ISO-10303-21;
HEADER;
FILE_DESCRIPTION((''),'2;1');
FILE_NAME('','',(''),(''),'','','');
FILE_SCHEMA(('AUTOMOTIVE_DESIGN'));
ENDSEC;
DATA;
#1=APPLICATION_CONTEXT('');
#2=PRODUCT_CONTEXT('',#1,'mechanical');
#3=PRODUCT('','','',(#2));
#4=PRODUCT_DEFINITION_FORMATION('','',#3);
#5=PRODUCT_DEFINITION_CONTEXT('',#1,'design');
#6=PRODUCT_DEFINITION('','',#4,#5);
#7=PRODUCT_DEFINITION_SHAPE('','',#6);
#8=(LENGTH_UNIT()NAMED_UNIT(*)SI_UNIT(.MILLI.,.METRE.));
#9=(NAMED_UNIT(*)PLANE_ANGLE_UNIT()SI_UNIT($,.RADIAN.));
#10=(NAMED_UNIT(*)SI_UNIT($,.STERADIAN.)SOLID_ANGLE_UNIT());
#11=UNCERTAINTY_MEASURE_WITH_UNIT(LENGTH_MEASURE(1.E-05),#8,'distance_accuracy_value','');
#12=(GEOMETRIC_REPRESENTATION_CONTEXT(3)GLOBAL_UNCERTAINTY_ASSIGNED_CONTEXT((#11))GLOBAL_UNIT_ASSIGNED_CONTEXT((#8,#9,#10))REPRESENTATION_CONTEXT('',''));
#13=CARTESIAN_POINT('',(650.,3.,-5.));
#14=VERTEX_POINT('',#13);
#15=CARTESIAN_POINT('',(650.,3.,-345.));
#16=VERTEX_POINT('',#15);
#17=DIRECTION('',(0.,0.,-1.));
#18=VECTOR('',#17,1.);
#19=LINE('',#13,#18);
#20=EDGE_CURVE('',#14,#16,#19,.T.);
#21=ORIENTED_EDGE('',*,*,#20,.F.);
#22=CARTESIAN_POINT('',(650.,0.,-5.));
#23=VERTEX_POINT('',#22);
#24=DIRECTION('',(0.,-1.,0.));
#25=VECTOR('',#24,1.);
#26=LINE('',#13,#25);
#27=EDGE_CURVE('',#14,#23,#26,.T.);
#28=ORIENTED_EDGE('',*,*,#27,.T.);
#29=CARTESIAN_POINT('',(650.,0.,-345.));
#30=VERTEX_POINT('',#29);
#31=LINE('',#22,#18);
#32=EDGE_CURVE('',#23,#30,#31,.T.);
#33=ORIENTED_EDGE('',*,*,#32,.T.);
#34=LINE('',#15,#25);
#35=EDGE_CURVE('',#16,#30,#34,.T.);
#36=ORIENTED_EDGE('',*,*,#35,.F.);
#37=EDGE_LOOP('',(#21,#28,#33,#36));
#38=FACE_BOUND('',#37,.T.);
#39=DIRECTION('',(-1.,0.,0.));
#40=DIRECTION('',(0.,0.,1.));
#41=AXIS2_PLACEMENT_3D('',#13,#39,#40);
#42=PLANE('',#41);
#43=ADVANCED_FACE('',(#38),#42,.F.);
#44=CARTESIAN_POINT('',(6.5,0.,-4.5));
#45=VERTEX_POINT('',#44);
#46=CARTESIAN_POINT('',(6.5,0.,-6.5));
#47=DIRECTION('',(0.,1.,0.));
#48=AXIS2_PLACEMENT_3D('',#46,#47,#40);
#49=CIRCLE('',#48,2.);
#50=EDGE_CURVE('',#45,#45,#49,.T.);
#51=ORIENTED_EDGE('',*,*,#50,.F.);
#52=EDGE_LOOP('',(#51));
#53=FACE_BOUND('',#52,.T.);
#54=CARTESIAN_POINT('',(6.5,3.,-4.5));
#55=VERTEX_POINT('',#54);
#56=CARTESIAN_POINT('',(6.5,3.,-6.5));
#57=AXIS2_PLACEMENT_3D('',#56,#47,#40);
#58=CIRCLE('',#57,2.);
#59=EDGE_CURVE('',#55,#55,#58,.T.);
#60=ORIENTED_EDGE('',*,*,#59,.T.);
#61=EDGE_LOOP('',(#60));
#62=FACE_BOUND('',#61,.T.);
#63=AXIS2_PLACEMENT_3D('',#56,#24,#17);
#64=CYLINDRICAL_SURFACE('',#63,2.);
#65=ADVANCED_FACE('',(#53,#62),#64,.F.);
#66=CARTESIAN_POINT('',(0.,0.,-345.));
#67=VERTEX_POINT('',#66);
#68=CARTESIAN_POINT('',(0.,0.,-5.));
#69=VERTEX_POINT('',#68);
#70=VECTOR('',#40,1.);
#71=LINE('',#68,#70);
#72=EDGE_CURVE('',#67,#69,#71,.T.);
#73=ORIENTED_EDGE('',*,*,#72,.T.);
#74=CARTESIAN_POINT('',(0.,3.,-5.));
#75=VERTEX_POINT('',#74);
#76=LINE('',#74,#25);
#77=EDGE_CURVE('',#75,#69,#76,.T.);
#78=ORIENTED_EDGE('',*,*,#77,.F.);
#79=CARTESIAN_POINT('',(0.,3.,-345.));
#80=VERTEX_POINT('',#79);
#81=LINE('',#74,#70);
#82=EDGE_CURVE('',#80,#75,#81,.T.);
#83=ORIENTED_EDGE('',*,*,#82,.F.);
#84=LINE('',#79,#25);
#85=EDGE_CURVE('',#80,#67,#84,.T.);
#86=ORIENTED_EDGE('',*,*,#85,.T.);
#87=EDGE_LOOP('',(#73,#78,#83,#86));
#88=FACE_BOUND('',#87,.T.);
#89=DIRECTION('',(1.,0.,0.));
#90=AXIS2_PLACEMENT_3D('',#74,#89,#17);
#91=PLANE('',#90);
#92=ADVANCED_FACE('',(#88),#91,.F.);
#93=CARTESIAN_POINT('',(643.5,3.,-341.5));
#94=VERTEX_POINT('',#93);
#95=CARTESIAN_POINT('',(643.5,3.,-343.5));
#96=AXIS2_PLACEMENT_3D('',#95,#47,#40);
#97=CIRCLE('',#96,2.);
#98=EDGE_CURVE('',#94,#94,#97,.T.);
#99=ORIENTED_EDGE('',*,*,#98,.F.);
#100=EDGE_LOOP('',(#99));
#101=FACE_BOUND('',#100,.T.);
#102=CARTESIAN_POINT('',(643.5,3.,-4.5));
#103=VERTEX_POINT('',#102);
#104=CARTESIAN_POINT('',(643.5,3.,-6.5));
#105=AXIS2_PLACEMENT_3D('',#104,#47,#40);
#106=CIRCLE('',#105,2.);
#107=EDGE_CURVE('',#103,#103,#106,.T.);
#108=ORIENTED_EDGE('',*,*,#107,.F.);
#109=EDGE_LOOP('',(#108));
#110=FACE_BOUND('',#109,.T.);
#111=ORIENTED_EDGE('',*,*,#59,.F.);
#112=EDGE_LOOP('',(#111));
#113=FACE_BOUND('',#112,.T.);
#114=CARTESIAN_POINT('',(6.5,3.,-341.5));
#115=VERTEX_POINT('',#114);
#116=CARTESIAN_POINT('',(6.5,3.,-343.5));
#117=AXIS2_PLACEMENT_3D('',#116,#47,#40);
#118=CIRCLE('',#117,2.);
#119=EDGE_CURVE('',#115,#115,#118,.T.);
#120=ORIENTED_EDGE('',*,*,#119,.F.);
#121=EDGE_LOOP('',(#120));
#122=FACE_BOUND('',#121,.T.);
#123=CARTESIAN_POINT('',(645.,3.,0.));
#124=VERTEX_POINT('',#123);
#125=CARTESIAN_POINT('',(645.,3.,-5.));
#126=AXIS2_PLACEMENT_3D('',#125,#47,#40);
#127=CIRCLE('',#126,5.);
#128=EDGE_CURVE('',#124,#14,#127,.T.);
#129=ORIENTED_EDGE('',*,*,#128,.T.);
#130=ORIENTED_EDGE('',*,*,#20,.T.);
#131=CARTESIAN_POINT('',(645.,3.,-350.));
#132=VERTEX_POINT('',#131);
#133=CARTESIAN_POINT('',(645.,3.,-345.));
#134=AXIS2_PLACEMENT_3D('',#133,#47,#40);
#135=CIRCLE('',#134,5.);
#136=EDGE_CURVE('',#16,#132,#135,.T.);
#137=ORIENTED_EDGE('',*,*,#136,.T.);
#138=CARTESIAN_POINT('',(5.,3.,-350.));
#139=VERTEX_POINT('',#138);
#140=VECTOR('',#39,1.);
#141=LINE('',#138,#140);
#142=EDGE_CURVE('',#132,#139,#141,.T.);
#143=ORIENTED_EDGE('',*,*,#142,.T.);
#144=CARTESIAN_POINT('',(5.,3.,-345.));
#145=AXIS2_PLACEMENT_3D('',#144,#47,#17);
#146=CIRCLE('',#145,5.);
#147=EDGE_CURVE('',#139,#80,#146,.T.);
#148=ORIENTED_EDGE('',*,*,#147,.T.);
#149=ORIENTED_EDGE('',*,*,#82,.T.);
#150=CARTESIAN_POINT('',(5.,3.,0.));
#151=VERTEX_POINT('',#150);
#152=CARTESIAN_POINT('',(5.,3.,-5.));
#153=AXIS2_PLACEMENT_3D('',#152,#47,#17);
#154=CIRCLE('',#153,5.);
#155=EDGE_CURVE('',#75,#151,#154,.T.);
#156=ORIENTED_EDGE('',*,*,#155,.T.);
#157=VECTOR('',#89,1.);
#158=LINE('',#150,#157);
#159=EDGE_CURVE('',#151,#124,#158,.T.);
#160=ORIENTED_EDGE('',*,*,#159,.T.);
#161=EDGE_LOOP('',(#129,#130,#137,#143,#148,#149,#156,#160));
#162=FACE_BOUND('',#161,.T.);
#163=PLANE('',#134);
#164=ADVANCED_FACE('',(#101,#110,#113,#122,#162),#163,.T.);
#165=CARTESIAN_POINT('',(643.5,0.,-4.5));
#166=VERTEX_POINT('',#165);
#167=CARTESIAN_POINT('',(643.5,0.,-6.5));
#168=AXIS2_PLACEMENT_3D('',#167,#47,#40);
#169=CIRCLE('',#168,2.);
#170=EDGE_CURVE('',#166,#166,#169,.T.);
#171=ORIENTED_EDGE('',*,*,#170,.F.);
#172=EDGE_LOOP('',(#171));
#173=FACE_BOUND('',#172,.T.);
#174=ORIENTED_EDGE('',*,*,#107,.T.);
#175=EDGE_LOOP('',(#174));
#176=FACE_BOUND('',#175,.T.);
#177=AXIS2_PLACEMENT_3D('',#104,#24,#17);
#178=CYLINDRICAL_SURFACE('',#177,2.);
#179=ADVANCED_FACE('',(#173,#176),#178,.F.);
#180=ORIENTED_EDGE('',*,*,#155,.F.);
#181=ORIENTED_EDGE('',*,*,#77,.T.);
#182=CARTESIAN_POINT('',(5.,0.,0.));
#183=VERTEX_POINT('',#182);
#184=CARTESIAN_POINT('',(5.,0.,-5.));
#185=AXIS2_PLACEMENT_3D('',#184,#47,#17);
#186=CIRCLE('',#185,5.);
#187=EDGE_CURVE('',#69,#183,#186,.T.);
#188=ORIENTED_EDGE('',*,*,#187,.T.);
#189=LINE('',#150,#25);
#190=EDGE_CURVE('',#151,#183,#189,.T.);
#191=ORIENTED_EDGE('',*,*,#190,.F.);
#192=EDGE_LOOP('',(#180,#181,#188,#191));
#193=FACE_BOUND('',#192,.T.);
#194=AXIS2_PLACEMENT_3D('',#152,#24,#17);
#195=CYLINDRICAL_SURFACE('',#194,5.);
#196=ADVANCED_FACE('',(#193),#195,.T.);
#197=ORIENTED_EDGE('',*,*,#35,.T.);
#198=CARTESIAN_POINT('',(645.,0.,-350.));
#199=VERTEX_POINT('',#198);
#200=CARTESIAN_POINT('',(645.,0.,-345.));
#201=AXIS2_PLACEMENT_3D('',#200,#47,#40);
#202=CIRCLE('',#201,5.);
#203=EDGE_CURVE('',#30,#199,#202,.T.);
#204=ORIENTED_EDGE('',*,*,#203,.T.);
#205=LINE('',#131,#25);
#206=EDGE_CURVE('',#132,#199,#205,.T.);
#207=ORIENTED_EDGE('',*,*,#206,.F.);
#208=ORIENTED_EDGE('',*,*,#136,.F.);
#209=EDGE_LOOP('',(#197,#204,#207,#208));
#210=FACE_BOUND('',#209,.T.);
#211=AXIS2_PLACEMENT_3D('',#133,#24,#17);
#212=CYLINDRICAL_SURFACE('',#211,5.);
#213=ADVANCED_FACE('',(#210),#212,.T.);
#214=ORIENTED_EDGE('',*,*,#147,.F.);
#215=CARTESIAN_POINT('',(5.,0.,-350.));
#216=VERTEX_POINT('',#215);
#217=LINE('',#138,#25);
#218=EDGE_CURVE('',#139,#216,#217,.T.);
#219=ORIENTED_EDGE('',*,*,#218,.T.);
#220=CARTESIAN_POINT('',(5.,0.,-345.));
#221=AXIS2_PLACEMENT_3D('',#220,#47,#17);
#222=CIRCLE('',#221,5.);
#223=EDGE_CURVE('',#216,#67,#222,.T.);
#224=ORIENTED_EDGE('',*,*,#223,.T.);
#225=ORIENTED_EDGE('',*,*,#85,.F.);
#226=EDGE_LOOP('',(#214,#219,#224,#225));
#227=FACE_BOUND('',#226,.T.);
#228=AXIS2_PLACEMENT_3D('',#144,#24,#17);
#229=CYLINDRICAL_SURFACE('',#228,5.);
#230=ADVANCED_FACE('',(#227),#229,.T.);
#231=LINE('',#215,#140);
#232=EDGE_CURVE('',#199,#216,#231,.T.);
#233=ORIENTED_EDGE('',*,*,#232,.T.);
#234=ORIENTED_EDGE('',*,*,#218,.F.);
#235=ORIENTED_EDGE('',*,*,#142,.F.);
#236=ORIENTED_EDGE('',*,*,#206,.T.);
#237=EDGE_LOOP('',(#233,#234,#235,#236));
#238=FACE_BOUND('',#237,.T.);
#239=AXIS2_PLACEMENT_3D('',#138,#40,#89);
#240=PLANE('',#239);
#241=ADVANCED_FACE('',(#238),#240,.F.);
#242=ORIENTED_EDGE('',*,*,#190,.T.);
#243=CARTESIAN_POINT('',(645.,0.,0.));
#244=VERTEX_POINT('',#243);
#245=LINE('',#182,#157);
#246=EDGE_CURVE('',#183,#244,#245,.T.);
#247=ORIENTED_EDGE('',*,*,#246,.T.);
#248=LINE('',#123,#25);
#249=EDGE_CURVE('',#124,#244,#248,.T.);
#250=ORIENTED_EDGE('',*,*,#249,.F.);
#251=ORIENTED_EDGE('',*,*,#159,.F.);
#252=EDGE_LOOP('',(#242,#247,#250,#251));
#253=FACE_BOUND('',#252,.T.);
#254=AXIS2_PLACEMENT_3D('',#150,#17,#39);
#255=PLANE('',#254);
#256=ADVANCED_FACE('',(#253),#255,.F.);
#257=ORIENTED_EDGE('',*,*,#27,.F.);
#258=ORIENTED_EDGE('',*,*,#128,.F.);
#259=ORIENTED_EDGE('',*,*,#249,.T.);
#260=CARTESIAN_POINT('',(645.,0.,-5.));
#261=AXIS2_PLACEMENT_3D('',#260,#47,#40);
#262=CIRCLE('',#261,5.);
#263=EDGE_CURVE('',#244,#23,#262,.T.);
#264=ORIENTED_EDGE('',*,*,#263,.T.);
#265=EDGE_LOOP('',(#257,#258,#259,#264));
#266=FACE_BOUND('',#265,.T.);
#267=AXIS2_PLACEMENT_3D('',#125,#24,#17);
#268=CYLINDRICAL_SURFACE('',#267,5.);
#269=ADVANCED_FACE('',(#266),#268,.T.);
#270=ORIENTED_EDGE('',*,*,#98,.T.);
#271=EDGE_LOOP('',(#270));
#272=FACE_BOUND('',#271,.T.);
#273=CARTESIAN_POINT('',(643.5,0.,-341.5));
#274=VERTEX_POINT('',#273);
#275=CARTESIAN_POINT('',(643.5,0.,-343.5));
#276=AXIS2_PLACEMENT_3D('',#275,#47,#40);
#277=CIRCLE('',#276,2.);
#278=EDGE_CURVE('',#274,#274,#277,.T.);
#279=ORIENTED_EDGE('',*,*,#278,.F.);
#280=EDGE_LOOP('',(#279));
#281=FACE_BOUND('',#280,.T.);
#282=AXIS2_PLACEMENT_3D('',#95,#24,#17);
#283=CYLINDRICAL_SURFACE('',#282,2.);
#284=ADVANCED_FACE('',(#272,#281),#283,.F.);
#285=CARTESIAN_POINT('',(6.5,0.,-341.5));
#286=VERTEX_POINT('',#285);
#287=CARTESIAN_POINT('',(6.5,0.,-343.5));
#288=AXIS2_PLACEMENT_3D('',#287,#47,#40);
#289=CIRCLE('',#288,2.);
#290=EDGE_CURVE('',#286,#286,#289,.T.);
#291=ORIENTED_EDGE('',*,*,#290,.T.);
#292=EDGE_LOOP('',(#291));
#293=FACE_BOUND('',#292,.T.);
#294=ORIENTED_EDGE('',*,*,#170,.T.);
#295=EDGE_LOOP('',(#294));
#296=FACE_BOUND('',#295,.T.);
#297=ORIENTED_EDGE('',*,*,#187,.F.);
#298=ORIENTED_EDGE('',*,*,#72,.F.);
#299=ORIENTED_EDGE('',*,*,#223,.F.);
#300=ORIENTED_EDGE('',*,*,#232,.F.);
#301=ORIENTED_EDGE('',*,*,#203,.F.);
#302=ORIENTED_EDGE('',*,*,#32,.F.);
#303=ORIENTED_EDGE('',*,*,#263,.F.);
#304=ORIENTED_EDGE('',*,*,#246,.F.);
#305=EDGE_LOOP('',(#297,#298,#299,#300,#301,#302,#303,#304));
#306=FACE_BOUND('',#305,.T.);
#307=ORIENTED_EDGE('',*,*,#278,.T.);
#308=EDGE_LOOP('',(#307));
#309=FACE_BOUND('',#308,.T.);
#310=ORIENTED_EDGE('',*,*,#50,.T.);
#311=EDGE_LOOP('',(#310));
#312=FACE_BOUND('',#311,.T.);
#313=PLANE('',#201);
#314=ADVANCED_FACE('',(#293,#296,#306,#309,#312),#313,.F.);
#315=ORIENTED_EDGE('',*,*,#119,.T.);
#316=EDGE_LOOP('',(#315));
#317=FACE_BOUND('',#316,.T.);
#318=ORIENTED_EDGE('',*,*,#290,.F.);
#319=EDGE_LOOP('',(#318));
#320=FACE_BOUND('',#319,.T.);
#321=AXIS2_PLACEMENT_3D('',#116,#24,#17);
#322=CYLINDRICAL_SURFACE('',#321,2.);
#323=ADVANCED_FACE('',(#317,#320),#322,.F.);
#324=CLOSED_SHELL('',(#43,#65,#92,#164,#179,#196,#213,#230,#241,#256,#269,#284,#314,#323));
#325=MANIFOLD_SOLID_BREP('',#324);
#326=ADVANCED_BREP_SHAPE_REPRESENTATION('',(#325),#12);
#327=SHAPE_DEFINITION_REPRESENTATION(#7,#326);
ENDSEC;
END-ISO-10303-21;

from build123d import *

# Parameters (mm, degrees)
SKETCH_1_R      = 2
EXTRUDE_1_DEPTH = 3


with BuildPart() as part:
    # 草图1 → 凸台-拉伸1 (new body)
    with BuildSketch(Plane(origin=(0, 0, 0), x_dir=(1, 0, 0), z_dir=(0, 1, 0))):
        with BuildLine():
            Line((5, 0), (645, 0))
            ThreePointArc((645, 0), (648.535533906, 1.464466094), (650, 5))
            Line((650, 5), (650, 345))
            ThreePointArc((650, 345), (648.535533906, 348.535533906), (645, 350))
            Line((645, 350), (5, 350))
            ThreePointArc((5, 350), (1.464466094, 348.535533906), (0, 345))
            Line((0, 345), (0, 5))
            ThreePointArc((0, 5), (1.464466094, 1.464466094), (5, 0))
        make_face()
        with Locations(Location((6.5, 343.5, 0), (0, 0, 270))):
            Circle(SKETCH_1_R, mode=Mode.SUBTRACT)
        with Locations(Location((643.5, 343.5, 0), (0, 0, 270))):
            Circle(SKETCH_1_R, mode=Mode.SUBTRACT)
        with Locations(Location((643.5, 6.5, 0), (0, 0, 270))):
            Circle(SKETCH_1_R, mode=Mode.SUBTRACT)
        with Locations(Location((6.5, 6.5, 0), (0, 0, 270))):
            Circle(SKETCH_1_R, mode=Mode.SUBTRACT)
    extrude(amount=EXTRUDE_1_DEPTH)


solid = part.part
